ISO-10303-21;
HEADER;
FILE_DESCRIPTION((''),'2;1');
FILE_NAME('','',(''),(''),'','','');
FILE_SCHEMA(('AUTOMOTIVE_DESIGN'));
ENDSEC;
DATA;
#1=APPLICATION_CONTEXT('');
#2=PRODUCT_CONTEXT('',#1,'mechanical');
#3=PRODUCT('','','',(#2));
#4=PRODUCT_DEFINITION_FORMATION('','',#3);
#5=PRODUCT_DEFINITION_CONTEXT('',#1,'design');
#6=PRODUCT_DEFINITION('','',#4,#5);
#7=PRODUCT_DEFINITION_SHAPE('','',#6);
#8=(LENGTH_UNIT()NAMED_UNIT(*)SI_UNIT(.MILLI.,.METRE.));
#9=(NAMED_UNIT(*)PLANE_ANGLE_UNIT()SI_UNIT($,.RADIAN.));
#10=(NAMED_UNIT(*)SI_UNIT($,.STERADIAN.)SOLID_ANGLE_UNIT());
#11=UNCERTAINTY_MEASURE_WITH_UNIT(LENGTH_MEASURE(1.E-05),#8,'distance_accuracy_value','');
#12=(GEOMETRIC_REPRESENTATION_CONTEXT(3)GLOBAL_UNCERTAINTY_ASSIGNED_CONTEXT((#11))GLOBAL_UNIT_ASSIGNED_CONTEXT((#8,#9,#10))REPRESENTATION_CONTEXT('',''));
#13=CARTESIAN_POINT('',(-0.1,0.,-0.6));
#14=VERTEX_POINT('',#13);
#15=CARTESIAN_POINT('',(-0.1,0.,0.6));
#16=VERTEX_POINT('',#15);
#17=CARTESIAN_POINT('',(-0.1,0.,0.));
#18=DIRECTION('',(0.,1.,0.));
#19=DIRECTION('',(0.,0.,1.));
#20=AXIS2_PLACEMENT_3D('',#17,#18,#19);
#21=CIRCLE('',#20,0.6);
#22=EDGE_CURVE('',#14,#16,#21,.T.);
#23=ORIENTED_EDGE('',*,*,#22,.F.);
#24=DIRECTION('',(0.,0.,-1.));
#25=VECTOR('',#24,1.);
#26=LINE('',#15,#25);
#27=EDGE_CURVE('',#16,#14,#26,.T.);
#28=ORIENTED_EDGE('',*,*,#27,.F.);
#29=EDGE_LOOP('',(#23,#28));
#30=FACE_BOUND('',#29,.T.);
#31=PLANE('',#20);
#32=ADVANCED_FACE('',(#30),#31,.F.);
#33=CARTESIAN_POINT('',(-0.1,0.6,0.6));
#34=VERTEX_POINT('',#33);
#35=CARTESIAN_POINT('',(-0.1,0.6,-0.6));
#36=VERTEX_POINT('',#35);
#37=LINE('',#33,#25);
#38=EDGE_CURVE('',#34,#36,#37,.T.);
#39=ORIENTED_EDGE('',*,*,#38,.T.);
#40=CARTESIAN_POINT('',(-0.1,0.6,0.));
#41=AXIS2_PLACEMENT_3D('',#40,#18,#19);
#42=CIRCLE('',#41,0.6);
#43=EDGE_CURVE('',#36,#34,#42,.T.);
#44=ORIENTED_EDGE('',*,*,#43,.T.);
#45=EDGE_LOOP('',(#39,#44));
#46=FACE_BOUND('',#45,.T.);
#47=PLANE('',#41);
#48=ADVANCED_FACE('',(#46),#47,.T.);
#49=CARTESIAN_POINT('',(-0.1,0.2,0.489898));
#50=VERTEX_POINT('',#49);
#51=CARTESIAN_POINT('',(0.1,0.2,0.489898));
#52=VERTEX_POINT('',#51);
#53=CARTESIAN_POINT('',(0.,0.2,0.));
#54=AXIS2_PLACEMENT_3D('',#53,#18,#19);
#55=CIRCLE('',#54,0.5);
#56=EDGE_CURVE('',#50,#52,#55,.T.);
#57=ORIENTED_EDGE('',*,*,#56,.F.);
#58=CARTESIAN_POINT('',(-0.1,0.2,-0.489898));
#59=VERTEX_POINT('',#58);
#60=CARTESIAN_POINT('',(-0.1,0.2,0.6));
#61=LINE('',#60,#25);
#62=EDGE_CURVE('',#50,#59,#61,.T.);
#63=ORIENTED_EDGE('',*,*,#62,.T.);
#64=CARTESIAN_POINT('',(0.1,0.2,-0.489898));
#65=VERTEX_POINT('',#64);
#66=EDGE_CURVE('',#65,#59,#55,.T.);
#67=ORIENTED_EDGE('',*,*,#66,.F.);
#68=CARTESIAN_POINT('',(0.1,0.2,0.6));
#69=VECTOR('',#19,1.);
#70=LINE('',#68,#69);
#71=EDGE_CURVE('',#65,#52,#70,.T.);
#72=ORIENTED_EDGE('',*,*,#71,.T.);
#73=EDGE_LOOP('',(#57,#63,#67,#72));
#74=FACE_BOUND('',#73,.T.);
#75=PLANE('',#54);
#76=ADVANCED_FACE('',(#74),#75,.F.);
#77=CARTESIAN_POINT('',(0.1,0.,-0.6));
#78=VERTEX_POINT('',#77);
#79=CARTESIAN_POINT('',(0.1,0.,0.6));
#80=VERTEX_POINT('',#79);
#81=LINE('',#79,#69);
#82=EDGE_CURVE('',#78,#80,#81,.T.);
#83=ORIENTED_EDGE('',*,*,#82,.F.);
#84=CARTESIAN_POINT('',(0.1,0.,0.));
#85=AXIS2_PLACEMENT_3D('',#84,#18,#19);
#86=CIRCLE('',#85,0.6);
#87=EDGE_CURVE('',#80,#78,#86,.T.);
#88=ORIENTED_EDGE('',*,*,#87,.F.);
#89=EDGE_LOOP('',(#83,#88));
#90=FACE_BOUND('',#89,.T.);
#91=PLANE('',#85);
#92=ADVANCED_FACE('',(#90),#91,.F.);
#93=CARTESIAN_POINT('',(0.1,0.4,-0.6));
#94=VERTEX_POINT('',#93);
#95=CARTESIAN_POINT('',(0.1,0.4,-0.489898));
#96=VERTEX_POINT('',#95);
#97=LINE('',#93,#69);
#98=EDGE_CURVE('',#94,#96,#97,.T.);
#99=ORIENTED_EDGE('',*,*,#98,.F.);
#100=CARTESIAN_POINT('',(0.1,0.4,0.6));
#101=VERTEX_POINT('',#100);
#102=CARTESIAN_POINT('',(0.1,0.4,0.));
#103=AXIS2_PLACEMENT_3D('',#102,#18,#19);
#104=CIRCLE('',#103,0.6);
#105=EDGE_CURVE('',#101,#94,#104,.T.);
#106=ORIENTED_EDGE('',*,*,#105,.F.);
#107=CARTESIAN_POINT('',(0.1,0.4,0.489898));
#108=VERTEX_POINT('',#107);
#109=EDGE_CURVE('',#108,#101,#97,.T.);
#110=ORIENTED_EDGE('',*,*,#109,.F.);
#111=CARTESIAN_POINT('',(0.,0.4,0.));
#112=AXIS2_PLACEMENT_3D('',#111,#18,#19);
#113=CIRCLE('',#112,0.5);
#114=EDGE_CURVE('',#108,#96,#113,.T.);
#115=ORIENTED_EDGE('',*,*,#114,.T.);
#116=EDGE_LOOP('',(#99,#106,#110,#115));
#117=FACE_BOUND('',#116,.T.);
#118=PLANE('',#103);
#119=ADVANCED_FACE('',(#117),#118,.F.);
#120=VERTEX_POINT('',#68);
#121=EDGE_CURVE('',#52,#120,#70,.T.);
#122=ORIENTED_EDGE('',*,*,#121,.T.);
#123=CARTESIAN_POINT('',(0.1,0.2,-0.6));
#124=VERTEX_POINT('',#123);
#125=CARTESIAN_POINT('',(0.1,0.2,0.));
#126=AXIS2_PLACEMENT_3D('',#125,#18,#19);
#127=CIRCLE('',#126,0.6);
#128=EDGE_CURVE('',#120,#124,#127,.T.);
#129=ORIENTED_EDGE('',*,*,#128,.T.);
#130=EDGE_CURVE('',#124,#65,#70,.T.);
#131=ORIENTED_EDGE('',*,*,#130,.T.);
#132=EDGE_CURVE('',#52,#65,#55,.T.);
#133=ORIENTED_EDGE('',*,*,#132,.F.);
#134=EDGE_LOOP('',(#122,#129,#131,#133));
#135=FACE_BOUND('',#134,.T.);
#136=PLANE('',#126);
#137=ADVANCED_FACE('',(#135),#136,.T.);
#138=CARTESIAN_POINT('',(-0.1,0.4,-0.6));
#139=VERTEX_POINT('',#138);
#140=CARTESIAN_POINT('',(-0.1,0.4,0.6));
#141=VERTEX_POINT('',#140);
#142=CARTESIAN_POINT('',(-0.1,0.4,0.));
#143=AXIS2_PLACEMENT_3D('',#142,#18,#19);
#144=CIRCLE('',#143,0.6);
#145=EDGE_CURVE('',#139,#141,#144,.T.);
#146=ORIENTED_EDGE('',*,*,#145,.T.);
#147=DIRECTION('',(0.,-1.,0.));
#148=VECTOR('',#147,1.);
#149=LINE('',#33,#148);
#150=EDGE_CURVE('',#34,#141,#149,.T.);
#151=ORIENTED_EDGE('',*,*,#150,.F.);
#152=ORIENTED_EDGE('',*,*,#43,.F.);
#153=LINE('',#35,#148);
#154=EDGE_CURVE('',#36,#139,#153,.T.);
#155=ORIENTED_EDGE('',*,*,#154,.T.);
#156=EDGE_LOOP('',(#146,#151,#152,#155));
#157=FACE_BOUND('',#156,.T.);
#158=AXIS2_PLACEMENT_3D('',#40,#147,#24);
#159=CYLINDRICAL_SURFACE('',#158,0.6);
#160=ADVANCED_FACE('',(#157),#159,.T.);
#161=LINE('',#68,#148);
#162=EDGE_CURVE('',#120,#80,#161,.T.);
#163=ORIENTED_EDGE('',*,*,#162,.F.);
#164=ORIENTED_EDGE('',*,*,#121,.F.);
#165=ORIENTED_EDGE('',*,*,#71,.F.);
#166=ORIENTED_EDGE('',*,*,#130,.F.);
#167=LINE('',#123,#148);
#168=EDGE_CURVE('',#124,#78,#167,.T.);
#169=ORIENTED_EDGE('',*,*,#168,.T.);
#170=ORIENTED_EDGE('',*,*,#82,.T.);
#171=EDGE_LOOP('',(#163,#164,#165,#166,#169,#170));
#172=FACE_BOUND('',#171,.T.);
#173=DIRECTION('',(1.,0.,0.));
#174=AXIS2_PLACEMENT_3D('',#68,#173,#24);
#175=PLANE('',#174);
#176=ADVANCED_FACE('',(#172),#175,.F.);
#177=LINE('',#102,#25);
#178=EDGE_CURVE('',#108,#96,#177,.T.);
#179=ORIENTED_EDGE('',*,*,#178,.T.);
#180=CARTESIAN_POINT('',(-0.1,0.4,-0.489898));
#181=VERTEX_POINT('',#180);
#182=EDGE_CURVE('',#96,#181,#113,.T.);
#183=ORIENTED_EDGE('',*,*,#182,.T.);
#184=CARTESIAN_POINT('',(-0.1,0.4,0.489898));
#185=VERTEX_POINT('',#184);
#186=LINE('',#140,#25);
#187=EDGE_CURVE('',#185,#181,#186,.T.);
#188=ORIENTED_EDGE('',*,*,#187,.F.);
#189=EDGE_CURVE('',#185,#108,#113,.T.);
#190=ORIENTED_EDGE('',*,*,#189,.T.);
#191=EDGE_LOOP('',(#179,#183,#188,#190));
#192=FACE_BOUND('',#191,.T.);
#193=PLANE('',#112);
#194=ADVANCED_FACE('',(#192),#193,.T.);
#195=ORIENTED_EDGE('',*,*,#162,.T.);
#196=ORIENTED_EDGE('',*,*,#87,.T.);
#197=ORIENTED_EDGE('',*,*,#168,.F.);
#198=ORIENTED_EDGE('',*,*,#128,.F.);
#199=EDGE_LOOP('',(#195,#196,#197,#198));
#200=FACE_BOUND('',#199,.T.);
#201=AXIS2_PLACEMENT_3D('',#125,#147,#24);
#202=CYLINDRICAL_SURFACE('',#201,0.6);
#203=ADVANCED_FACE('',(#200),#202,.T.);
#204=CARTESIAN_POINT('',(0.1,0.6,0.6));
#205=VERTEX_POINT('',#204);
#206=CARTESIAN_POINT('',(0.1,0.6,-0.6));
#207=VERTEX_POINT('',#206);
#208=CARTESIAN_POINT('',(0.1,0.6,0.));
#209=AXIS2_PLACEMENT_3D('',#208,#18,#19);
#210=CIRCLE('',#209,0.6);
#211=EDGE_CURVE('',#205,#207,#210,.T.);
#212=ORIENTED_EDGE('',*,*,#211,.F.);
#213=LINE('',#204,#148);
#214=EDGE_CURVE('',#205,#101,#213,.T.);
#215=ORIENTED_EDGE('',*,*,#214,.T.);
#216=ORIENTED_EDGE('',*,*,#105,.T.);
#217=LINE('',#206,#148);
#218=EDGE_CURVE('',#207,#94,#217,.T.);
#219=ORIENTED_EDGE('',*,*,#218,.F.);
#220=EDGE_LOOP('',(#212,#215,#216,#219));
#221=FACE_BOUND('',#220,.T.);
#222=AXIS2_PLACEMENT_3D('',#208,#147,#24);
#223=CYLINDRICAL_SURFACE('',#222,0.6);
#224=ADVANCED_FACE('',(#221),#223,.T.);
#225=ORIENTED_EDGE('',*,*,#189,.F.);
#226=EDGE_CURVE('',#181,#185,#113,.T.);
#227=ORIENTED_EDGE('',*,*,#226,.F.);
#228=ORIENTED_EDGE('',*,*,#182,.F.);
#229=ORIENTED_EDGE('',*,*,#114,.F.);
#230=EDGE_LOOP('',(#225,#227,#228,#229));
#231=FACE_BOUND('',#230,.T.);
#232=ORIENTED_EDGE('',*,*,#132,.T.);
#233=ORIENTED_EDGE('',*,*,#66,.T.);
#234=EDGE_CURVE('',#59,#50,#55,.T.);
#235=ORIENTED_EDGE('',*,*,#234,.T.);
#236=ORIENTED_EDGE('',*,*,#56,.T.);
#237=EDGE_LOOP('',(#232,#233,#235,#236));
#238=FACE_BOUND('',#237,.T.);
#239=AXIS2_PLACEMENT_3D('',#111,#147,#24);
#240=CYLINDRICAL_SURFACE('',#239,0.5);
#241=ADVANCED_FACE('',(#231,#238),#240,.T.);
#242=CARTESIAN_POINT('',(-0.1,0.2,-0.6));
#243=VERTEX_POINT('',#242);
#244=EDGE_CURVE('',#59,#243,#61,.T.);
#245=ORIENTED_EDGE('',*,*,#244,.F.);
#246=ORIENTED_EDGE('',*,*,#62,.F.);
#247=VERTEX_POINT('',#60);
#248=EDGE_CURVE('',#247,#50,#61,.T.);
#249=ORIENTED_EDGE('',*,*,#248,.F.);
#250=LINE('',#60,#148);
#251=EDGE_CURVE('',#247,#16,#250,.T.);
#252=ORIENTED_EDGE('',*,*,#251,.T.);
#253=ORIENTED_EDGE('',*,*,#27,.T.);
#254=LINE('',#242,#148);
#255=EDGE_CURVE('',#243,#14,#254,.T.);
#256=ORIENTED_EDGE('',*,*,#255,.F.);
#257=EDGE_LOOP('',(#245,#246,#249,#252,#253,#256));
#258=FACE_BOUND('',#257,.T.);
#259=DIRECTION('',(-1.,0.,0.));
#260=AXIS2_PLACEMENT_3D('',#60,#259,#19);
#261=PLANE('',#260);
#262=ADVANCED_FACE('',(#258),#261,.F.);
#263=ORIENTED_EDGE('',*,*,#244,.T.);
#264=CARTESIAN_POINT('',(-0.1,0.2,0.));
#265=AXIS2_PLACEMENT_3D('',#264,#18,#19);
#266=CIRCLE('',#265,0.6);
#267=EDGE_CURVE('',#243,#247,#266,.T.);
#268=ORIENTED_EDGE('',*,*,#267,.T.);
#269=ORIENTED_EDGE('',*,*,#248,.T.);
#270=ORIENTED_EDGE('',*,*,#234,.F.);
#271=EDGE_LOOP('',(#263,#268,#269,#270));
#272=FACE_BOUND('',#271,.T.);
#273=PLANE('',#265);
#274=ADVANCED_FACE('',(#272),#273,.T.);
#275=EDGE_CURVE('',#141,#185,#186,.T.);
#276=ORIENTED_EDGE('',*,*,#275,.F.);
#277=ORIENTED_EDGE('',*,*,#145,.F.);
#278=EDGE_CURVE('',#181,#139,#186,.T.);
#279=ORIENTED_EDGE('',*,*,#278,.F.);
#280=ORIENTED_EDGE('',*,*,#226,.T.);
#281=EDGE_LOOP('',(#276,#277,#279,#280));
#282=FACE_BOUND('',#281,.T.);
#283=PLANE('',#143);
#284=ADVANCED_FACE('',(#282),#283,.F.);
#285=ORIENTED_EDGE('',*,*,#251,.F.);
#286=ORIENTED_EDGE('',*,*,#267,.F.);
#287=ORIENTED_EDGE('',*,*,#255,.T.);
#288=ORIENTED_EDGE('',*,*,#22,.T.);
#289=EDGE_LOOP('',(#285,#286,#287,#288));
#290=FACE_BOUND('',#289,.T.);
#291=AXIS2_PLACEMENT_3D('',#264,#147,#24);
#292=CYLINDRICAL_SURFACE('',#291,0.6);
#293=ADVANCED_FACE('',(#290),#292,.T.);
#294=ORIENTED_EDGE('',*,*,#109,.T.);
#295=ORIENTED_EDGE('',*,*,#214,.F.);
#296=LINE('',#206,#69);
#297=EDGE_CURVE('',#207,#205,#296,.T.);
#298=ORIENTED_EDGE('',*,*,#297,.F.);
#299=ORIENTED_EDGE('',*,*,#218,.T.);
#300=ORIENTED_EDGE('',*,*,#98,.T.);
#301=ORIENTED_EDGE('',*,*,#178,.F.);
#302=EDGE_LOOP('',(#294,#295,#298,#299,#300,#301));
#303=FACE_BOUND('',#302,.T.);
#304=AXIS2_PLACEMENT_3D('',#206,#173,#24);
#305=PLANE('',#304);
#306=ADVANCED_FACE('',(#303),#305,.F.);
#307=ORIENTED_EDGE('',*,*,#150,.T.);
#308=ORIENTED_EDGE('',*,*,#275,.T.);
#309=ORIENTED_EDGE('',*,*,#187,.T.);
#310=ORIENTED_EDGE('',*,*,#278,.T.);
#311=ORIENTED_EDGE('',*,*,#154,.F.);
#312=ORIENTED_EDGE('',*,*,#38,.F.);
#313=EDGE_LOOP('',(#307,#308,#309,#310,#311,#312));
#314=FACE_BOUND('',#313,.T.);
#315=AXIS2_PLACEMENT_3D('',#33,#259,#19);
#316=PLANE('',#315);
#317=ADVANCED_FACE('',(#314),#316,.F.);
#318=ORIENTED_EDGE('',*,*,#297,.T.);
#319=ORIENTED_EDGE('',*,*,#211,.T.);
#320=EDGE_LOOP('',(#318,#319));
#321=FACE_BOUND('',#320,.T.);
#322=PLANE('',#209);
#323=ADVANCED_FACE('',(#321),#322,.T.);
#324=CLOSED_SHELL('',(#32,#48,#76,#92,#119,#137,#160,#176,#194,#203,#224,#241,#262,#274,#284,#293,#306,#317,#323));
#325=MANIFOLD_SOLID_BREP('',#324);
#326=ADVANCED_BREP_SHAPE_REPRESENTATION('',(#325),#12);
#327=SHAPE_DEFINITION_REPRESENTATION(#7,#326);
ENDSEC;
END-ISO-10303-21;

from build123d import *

# Parameters (mm, degrees)
BOSS_EXTRUDE1_DEPTH   = 0.2
BOSS_EXTRUDE1_2_DEPTH = 0.2
SKETCH2_R             = 0.5
BOSS_EXTRUDE2_DEPTH   = 0.2
BOSS_EXTRUDE3_DEPTH   = 0.2


with BuildPart() as part:
    # Sketch1 → Boss-Extrude1 (new body)
    with BuildSketch(Plane(origin=(0, 0, 0), x_dir=(1, 0, 0), z_dir=(0, 1, 0))):
        with BuildLine():
            Line((0.1, -0.6), (0.1, 0.6))
            ThreePointArc((0.1, 0.6), (0.7, 0), (0.1, -0.6))
        make_face()
    extrude(amount=BOSS_EXTRUDE1_DEPTH)



with BuildPart() as body_2:
    # Sketch1 → Boss-Extrude1 2 (new body)
    with BuildSketch(Plane(origin=(0, 0, 0), x_dir=(1, 0, 0), z_dir=(0, 1, 0))):
        with BuildLine():
            Line((-0.1, -0.6), (-0.1, 0.6))
            ThreePointArc((-0.1, 0.6), (-0.7, 0), (-0.1, -0.6))
        make_face()
    extrude(amount=BOSS_EXTRUDE1_2_DEPTH)


with BuildPart() as part_1:
    add(part.part)

    add(body_2.part)  # Boss-Extrude2 merges body 2
    # Sketch2 → Boss-Extrude2 (add)
    with BuildSketch(Plane(origin=(0, 0.2, 0), x_dir=(1, 0, 0), z_dir=(0, 1, 0))):
        Circle(SKETCH2_R)
    extrude(amount=BOSS_EXTRUDE2_DEPTH)

    # Sketch3 → Boss-Extrude3 (add)
    with BuildSketch(Plane(origin=(0, 0.4, 0), x_dir=(1, 0, 0), z_dir=(0, 1, 0))):
        with BuildLine():
            Line((-0.1, -0.6), (-0.1, 0.6))
            ThreePointArc((-0.1, 0.6), (-0.7, 0), (-0.1, -0.6))
        make_face()
        with BuildLine():
            Line((0.1, 0.6), (0.1, -0.6))
            ThreePointArc((0.1, -0.6), (0.7, 0), (0.1, 0.6))
        make_face()
    extrude(amount=BOSS_EXTRUDE3_DEPTH)


solid = part_1.part
